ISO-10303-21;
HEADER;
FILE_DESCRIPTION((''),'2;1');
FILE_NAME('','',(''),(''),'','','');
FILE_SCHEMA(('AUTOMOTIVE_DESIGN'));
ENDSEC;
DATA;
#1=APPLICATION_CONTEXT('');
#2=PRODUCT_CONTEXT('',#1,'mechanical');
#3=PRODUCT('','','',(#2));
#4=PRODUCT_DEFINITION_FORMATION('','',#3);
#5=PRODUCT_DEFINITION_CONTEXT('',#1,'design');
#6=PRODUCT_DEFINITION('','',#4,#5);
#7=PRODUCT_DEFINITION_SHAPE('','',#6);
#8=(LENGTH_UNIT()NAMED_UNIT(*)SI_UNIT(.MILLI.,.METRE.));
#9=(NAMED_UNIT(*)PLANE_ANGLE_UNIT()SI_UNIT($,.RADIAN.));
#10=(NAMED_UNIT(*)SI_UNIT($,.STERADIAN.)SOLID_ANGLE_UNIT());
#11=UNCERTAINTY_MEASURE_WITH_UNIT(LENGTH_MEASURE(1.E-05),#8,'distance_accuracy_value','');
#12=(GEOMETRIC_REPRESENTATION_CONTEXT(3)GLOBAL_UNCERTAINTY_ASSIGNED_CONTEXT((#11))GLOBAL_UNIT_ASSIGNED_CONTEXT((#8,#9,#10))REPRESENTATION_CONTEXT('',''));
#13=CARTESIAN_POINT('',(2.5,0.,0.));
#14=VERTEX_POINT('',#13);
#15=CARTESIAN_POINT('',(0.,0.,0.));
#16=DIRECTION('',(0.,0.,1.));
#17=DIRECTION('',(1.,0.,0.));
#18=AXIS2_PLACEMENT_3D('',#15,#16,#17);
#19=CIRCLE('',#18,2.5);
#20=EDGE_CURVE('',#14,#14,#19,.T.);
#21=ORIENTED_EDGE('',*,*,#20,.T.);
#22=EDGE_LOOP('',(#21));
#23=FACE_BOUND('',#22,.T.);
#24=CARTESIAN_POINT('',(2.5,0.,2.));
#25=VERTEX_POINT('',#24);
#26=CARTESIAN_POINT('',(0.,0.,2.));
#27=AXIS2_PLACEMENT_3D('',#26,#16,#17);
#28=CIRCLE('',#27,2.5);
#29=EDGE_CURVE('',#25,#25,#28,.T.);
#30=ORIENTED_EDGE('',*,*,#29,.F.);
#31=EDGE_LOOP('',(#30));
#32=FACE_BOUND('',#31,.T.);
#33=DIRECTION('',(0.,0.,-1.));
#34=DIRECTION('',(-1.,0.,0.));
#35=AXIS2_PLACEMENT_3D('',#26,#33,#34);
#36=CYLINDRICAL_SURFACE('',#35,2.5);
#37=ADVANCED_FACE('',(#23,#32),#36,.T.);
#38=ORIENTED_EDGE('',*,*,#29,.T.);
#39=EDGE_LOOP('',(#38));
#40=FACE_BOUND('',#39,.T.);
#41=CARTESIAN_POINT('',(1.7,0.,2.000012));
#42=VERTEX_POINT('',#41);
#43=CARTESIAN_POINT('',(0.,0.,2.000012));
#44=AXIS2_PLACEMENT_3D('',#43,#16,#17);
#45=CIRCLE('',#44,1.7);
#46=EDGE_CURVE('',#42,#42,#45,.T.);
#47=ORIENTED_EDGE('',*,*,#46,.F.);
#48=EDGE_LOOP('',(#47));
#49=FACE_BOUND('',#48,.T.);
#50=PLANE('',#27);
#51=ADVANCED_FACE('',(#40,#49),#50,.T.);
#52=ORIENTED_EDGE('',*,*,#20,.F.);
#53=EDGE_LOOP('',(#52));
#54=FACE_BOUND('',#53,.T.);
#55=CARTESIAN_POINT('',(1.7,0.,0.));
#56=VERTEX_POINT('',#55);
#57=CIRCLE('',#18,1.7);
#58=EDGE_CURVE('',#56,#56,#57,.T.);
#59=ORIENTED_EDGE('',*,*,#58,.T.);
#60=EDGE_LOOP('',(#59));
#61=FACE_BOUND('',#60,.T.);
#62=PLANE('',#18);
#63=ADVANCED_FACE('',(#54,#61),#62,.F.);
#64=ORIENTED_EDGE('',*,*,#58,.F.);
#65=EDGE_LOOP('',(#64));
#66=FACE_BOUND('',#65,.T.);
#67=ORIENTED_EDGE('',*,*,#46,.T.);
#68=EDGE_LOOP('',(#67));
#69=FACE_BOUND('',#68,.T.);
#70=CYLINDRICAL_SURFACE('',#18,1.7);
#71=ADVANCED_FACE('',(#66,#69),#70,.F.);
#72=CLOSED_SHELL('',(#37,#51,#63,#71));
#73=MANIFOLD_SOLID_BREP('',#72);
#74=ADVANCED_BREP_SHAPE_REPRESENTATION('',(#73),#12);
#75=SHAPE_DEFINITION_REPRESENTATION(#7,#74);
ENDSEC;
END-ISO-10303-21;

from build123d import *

# Parameters (mm, degrees)
SKETCH1_R               = 2.5
BOSS_EXTRUDE1_DEPTH     = 2
CUT_EXTRUDE1_DEPTH      = 5.062019202
CUT_EXTRUDE1_DEPTH_BACK = 5.062019202
SKETCH2_R               = 1.7


with BuildPart() as part:
    # Sketch1 → Boss-Extrude1 (new body)
    with BuildSketch(Plane(origin=(0, 0, 0), x_dir=(0, 1, 0), z_dir=(0, 0, 1))):
        with Locations(Location((0, 0, 0), (0, 0, 270))):
            Circle(SKETCH1_R)
    extrude(amount=BOSS_EXTRUDE1_DEPTH)

    # Sketch2 → Cut-Extrude1 (cut, two sides: drawn at the far end of the back side and taken through both)
    with BuildSketch(Plane.XY.offset(2).offset(-CUT_EXTRUDE1_DEPTH_BACK)):
        Circle(SKETCH2_R)
    extrude(amount=CUT_EXTRUDE1_DEPTH + CUT_EXTRUDE1_DEPTH_BACK, mode=Mode.SUBTRACT)


solid = part.part
